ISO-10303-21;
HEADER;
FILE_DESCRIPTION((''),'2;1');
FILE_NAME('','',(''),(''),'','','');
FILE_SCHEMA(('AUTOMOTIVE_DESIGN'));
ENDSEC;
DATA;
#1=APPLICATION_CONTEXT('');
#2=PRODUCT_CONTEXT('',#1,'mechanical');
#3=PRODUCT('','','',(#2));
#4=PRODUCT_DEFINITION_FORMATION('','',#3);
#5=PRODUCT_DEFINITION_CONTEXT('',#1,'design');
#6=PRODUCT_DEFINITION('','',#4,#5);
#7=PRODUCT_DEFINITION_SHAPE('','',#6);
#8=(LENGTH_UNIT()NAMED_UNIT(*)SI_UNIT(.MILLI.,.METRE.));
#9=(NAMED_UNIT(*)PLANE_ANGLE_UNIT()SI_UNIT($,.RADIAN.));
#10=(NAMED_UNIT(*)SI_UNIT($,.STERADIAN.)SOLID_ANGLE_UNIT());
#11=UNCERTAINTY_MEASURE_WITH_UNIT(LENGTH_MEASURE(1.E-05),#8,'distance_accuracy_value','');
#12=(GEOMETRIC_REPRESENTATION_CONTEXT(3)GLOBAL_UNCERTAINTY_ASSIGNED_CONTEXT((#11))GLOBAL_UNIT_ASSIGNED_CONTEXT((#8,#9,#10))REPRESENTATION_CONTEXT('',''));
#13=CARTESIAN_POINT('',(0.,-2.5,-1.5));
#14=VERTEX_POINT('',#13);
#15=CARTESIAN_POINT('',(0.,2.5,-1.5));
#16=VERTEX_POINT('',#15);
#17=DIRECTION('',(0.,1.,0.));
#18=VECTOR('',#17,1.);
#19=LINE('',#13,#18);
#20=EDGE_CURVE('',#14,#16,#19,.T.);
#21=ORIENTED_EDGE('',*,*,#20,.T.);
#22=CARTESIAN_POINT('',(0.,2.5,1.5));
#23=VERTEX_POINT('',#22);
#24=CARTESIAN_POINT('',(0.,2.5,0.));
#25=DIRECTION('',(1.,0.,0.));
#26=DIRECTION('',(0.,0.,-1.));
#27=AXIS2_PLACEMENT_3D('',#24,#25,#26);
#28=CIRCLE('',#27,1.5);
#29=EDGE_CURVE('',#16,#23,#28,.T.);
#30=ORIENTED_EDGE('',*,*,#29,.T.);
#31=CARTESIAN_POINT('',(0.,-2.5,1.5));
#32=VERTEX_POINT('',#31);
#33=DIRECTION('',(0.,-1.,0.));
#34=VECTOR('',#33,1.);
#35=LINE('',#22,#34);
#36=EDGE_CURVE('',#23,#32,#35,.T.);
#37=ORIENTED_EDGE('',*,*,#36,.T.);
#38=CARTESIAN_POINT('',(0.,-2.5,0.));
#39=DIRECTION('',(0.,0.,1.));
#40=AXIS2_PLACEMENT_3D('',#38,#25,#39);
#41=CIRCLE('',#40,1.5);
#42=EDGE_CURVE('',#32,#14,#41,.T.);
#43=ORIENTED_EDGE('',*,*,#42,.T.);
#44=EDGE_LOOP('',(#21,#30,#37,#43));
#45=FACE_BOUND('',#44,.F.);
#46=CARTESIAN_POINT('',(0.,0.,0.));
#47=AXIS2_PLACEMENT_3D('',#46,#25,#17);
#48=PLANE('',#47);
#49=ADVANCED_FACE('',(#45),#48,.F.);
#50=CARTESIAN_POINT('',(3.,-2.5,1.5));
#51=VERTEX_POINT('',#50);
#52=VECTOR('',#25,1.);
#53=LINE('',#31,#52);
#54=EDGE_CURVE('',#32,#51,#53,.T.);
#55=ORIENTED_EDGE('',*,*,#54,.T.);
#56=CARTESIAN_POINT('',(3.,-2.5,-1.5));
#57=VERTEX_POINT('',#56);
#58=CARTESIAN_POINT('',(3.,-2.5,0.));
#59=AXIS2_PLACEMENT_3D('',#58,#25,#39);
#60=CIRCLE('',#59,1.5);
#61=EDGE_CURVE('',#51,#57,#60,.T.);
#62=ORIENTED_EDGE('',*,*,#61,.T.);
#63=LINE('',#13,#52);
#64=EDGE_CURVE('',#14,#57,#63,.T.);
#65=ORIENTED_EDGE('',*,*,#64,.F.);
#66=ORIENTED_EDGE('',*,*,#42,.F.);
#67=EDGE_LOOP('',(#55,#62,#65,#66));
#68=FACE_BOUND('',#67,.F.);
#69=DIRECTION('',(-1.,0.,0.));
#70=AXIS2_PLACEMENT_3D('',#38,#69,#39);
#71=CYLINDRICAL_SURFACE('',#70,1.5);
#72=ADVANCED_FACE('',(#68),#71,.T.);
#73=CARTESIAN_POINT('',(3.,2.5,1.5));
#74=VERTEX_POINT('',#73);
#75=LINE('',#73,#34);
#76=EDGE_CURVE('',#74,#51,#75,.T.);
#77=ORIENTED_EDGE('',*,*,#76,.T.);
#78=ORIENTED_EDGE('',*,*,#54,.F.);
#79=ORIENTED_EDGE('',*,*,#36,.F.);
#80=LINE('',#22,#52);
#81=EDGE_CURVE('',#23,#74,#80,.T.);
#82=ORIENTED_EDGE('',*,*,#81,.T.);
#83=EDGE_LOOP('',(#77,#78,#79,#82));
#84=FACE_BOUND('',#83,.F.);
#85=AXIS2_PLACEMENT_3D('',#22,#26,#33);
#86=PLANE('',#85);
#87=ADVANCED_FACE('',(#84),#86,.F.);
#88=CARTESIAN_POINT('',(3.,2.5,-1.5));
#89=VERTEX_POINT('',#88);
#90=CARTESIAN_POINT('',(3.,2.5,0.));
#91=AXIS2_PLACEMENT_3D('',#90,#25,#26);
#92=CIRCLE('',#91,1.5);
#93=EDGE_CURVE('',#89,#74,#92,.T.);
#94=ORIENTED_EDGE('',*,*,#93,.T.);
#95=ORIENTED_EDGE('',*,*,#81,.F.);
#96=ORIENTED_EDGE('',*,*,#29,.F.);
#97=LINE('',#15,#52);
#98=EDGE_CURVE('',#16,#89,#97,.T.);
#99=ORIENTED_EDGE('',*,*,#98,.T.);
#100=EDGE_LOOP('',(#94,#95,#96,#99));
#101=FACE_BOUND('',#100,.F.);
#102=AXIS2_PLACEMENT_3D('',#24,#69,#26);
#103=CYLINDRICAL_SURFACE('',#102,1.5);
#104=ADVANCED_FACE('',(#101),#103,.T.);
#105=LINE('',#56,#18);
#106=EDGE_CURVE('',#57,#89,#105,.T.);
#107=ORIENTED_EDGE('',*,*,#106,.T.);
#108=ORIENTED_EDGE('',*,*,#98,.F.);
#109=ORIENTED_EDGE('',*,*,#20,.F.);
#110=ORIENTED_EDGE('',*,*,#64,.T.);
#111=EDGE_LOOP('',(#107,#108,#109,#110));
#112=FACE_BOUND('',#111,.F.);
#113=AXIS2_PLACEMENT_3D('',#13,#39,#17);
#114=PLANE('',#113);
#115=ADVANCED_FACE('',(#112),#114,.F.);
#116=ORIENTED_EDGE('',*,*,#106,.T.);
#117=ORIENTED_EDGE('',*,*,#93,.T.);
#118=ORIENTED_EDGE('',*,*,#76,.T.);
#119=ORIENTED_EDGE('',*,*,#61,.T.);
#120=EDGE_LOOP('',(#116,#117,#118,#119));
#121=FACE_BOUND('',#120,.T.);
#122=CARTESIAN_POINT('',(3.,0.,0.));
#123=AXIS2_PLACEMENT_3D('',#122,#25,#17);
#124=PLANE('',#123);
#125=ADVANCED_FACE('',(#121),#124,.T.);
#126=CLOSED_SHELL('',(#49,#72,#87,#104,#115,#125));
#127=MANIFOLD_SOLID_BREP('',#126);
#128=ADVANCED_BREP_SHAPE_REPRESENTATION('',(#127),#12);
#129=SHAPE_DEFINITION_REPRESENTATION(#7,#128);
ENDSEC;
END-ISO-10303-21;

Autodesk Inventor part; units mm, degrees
ref_plane "YZ Plane" through (0, 0, 0) normal (1, 0, 0) x (0, 1, 0)
ref_plane "XZ Plane" through (0, 0, 0) normal (0, 1, 0) x (-1, 0, 0)
ref_plane "XY Plane" through (0, 0, 0) normal (0, 0, 1) x (1, 0, 0)
sketch "Sketch1" plane through (0, 0, 0) normal (1, 0, 0) x (0, 1, 0)
  line L0 (2.5, 0) -> (-2.5, 0) construction
  line L1 (2.5, 1.5) -> (-2.5, 1.5)
  line L2 (-2.5, -1.5) -> (2.5, -1.5)
  arc A0 (2.5, -1.5) -> (2.5, 1.5) centre (2.5, 0) ccw
  arc A1 (-2.5, 1.5) -> (-2.5, -1.5) centre (-2.5, 0) ccw
  point P0 (0, 0)
  point P1 (0, 0)
  dimension "d0" = 1.5
  dimension "d1" = 5
extrude "Extrusion1" add sketch "Sketch1" along normal blind 3
properties part number "Component 17 (Feather Key)"
